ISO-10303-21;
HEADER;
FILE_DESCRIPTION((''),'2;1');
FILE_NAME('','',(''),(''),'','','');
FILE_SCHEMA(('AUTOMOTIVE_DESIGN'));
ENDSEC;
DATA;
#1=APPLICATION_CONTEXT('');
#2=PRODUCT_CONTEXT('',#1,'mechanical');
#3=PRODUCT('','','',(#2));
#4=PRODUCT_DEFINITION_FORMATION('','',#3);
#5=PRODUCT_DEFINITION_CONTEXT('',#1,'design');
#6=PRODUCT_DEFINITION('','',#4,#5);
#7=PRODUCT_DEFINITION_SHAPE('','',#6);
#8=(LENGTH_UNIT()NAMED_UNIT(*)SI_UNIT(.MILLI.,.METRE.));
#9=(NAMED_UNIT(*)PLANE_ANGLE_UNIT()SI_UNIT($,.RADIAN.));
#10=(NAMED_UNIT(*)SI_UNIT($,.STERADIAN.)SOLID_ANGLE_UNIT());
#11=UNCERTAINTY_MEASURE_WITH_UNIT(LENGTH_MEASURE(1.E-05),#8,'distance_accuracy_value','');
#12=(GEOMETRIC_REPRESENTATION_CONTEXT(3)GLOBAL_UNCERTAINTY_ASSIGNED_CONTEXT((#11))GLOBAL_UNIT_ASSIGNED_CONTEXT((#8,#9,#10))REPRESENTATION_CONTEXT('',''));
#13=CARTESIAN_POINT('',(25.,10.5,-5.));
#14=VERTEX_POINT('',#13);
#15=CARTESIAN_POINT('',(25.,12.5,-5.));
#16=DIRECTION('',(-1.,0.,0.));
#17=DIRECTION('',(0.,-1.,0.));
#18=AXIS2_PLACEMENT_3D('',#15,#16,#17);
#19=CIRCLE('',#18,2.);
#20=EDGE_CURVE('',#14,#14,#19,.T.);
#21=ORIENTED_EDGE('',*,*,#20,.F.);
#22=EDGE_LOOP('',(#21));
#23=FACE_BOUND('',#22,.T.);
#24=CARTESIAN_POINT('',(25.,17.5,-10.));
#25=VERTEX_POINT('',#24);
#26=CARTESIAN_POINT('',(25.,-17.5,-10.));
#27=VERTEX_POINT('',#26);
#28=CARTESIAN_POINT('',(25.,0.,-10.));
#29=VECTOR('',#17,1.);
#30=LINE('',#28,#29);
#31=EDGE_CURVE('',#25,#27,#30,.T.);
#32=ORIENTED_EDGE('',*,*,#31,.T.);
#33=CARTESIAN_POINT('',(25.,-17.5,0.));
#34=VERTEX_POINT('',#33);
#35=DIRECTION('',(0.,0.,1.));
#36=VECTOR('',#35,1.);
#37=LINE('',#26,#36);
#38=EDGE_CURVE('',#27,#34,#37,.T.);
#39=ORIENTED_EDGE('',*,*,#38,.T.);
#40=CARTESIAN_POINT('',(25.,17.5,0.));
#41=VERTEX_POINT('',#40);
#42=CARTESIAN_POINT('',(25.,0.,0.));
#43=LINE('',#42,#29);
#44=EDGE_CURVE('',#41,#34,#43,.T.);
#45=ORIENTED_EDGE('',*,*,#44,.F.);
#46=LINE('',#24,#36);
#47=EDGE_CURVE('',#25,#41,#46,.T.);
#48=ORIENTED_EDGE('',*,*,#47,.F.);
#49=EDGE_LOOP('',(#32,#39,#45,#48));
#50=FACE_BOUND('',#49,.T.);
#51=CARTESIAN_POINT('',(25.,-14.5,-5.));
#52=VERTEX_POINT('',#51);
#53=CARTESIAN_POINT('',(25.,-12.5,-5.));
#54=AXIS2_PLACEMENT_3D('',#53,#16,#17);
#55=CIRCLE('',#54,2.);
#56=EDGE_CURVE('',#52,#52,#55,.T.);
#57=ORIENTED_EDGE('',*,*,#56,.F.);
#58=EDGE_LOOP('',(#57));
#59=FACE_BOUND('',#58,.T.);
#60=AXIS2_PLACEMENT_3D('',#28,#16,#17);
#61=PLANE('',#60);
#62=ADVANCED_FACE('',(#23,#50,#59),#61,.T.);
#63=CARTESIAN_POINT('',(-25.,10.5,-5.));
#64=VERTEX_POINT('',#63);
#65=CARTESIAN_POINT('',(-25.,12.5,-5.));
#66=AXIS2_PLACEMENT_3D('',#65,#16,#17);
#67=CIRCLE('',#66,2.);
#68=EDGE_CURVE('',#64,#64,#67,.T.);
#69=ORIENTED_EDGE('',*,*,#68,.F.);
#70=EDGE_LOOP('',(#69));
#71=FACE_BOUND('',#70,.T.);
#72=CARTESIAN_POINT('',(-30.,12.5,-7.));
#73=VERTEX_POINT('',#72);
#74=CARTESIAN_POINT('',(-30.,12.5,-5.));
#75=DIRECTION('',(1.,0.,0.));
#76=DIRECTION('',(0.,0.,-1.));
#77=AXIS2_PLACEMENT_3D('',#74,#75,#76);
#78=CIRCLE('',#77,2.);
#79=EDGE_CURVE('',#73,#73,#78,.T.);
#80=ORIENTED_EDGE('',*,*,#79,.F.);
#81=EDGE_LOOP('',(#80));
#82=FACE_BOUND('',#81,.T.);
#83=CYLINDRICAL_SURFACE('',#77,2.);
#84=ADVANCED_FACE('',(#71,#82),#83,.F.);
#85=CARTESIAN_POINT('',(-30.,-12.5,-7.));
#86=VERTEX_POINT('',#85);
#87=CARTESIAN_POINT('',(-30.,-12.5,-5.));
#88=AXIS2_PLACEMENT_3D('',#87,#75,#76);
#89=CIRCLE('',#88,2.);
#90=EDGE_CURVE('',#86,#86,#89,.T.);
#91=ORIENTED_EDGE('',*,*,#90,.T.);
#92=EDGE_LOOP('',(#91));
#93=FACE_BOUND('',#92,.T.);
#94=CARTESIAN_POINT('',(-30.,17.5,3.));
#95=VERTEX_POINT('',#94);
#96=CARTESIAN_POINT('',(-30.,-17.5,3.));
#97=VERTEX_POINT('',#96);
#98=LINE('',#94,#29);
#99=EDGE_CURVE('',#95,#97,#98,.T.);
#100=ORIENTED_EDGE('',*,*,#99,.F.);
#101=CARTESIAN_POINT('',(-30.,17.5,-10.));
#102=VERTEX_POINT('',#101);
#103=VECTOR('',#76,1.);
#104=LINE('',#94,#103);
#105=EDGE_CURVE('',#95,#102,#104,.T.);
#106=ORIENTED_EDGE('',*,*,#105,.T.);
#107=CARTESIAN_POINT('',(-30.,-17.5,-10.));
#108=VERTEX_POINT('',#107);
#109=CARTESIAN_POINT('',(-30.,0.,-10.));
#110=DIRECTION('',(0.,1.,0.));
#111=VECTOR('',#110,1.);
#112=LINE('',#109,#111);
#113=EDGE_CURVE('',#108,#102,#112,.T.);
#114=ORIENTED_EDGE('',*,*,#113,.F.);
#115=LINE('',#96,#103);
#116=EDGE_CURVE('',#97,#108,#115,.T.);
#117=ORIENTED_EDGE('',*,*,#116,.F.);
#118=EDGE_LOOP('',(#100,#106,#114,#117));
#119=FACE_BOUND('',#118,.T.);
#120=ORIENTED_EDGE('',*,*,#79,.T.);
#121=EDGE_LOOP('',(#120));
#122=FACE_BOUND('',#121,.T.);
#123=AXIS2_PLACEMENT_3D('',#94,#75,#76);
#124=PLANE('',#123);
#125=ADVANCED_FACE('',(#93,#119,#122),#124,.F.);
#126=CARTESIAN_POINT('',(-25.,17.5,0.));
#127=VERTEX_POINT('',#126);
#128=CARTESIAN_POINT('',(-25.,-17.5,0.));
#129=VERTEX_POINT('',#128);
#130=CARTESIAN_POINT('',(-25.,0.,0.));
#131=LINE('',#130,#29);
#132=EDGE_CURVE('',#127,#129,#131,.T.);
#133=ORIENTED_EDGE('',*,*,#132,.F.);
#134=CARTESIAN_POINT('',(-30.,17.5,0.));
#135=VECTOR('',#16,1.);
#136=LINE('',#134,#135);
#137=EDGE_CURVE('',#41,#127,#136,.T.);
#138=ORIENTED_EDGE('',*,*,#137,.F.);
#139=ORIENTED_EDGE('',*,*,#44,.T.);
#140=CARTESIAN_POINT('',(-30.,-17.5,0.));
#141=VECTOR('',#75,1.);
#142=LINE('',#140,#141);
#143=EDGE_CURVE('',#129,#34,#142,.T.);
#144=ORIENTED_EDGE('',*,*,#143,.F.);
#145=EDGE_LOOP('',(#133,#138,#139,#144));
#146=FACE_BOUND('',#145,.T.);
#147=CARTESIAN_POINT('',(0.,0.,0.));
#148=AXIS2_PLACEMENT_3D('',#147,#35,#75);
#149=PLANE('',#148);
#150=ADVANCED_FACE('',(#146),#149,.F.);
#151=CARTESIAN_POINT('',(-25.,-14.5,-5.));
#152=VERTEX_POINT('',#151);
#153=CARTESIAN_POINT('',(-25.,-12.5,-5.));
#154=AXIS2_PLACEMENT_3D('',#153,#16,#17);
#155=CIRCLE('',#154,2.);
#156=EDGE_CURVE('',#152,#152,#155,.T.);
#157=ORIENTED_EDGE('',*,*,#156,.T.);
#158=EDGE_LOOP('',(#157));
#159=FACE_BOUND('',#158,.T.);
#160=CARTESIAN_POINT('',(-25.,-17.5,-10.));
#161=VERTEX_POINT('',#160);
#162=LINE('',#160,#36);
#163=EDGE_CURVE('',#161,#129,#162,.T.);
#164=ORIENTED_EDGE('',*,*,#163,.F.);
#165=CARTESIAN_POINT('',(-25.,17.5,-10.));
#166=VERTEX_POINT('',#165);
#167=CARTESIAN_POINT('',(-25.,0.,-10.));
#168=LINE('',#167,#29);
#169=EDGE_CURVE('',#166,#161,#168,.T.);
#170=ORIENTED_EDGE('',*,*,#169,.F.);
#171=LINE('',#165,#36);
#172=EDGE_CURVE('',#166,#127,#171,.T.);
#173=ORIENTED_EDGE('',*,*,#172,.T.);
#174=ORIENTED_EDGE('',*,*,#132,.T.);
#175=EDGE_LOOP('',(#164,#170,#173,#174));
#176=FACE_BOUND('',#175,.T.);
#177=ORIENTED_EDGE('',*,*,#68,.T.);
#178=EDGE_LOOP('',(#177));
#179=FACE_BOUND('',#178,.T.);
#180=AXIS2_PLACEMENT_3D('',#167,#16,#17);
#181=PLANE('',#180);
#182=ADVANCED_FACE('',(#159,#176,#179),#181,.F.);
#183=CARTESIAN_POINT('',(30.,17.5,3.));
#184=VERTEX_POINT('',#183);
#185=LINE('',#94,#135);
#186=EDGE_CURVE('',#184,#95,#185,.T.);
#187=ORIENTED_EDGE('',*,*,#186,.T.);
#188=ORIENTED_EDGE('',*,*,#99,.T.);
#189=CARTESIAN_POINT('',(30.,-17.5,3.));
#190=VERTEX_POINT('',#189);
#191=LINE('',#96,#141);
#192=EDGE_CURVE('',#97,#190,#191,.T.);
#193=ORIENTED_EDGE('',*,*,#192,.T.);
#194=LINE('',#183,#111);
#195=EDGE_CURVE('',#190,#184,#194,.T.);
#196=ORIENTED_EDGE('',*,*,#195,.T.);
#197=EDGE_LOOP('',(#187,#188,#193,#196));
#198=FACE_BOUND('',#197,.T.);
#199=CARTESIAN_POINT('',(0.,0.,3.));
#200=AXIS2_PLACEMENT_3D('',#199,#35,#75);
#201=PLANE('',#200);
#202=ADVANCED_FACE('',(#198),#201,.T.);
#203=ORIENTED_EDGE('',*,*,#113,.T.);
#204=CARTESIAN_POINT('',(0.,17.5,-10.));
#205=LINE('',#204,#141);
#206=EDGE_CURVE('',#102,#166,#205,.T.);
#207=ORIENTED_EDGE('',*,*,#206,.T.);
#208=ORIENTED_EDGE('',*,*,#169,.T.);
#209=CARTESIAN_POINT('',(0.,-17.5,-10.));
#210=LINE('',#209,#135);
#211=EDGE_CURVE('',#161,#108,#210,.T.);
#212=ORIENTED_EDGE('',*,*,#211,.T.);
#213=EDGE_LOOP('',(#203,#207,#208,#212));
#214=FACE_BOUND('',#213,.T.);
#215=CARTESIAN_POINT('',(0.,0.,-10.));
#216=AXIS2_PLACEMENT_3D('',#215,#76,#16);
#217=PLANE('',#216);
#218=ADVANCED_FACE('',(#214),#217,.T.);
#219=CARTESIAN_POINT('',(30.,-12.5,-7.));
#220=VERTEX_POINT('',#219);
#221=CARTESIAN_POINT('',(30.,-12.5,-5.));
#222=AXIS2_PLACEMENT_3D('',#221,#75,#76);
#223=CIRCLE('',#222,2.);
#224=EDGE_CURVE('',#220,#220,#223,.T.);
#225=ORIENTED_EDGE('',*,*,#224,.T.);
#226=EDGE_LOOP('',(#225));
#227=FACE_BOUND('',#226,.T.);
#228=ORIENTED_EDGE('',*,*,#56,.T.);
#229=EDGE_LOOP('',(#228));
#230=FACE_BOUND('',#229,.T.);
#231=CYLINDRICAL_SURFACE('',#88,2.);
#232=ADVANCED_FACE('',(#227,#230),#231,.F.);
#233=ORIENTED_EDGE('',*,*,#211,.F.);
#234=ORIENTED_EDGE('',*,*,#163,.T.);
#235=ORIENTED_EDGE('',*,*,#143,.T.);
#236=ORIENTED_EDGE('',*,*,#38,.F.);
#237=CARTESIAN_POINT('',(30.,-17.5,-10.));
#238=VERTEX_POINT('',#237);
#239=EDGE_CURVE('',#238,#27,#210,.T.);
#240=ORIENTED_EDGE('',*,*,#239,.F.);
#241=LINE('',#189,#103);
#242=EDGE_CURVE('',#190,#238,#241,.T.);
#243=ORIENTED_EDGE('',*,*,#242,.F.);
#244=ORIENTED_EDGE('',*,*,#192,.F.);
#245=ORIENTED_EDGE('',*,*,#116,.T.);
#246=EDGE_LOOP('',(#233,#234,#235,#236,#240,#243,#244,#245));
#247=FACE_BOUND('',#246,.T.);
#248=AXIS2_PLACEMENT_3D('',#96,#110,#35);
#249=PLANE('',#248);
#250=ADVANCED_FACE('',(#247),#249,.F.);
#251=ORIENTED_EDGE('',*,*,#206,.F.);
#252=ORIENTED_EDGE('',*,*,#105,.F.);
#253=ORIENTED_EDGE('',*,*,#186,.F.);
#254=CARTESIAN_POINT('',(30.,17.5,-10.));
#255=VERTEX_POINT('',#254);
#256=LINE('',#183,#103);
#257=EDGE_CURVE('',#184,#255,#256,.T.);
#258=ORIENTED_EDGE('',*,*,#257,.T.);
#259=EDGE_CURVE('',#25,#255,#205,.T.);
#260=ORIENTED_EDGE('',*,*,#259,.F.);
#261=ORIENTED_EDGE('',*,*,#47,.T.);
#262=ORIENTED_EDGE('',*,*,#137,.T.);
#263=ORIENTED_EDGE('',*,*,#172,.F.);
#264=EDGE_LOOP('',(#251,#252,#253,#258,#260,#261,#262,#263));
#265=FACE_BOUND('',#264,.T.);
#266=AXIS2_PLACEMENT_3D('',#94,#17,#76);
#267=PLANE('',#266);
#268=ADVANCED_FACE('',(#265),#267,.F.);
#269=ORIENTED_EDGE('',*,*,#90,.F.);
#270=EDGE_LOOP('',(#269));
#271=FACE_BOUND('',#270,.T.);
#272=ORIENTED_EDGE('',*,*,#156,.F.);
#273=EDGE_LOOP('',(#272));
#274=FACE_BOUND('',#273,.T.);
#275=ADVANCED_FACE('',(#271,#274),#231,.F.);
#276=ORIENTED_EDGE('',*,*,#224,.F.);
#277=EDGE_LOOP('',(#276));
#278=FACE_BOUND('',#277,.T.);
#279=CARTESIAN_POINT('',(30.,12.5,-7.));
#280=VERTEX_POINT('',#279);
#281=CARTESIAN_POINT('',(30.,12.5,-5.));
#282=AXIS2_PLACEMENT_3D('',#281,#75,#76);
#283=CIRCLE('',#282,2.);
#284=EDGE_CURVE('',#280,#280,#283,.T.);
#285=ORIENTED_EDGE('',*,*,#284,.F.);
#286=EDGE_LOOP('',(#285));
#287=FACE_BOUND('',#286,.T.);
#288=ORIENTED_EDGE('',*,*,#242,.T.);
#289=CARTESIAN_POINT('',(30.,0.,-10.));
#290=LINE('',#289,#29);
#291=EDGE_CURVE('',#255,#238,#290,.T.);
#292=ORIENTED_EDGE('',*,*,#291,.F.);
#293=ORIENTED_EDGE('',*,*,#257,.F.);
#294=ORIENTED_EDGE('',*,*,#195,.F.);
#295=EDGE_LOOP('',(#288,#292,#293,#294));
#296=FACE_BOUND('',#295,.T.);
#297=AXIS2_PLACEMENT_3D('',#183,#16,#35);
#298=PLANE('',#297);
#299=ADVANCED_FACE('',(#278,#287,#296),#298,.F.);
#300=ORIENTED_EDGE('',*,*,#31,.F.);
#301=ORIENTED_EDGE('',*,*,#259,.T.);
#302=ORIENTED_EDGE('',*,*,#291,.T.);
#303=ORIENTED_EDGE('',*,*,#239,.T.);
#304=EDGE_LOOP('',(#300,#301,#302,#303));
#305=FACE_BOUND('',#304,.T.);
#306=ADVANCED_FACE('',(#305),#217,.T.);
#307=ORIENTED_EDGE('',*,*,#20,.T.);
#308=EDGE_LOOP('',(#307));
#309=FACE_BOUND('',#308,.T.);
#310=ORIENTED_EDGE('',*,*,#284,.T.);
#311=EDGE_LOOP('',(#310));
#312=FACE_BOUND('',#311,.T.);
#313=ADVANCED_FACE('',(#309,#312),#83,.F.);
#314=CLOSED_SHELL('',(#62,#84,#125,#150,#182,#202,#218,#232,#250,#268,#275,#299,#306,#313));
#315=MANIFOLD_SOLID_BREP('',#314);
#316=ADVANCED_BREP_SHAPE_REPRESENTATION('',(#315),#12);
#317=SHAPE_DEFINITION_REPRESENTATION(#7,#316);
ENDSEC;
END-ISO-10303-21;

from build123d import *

# Parameters (mm, degrees)
SKETCH2_W           = 60
SKETCH2_H           = 35
BOSS_EXTRUDE1_DEPTH = 3
SKETCH3_W           = 5
SKETCH3_H           = 35
BOSS_EXTRUDE2_DEPTH = 10
SKETCH4_R           = 2
CUT_EXTRUDE1_DEPTH  = 64.294944506


with BuildPart() as part:
    # Sketch2 → Boss-Extrude1 (new body)
    with BuildSketch(Plane.XY):
        Rectangle(SKETCH2_W, SKETCH2_H)
    extrude(amount=BOSS_EXTRUDE1_DEPTH)

    # Sketch3 → Boss-Extrude2 (add)
    with BuildSketch(Plane(origin=(0, 0, 0), x_dir=(-1, 0, 0), z_dir=(0, 0, -1))):
        with Locations((-27.5, 0)):
            Rectangle(SKETCH3_W, SKETCH3_H)
        with Locations((27.5, 0)):
            Rectangle(SKETCH3_W, SKETCH3_H)
    extrude(amount=BOSS_EXTRUDE2_DEPTH)

    # Sketch4 → Cut-Extrude1 (cut, through all)
    with BuildSketch(Plane(origin=(30, 0, 0), x_dir=(0, 0, -1), z_dir=(1, 0, 0))):
        with Locations((5, 12.5)):
            Circle(SKETCH4_R)
        with Locations((5, -12.5)):
            Circle(SKETCH4_R)
    extrude(amount=-CUT_EXTRUDE1_DEPTH, mode=Mode.SUBTRACT)


solid = part.part
